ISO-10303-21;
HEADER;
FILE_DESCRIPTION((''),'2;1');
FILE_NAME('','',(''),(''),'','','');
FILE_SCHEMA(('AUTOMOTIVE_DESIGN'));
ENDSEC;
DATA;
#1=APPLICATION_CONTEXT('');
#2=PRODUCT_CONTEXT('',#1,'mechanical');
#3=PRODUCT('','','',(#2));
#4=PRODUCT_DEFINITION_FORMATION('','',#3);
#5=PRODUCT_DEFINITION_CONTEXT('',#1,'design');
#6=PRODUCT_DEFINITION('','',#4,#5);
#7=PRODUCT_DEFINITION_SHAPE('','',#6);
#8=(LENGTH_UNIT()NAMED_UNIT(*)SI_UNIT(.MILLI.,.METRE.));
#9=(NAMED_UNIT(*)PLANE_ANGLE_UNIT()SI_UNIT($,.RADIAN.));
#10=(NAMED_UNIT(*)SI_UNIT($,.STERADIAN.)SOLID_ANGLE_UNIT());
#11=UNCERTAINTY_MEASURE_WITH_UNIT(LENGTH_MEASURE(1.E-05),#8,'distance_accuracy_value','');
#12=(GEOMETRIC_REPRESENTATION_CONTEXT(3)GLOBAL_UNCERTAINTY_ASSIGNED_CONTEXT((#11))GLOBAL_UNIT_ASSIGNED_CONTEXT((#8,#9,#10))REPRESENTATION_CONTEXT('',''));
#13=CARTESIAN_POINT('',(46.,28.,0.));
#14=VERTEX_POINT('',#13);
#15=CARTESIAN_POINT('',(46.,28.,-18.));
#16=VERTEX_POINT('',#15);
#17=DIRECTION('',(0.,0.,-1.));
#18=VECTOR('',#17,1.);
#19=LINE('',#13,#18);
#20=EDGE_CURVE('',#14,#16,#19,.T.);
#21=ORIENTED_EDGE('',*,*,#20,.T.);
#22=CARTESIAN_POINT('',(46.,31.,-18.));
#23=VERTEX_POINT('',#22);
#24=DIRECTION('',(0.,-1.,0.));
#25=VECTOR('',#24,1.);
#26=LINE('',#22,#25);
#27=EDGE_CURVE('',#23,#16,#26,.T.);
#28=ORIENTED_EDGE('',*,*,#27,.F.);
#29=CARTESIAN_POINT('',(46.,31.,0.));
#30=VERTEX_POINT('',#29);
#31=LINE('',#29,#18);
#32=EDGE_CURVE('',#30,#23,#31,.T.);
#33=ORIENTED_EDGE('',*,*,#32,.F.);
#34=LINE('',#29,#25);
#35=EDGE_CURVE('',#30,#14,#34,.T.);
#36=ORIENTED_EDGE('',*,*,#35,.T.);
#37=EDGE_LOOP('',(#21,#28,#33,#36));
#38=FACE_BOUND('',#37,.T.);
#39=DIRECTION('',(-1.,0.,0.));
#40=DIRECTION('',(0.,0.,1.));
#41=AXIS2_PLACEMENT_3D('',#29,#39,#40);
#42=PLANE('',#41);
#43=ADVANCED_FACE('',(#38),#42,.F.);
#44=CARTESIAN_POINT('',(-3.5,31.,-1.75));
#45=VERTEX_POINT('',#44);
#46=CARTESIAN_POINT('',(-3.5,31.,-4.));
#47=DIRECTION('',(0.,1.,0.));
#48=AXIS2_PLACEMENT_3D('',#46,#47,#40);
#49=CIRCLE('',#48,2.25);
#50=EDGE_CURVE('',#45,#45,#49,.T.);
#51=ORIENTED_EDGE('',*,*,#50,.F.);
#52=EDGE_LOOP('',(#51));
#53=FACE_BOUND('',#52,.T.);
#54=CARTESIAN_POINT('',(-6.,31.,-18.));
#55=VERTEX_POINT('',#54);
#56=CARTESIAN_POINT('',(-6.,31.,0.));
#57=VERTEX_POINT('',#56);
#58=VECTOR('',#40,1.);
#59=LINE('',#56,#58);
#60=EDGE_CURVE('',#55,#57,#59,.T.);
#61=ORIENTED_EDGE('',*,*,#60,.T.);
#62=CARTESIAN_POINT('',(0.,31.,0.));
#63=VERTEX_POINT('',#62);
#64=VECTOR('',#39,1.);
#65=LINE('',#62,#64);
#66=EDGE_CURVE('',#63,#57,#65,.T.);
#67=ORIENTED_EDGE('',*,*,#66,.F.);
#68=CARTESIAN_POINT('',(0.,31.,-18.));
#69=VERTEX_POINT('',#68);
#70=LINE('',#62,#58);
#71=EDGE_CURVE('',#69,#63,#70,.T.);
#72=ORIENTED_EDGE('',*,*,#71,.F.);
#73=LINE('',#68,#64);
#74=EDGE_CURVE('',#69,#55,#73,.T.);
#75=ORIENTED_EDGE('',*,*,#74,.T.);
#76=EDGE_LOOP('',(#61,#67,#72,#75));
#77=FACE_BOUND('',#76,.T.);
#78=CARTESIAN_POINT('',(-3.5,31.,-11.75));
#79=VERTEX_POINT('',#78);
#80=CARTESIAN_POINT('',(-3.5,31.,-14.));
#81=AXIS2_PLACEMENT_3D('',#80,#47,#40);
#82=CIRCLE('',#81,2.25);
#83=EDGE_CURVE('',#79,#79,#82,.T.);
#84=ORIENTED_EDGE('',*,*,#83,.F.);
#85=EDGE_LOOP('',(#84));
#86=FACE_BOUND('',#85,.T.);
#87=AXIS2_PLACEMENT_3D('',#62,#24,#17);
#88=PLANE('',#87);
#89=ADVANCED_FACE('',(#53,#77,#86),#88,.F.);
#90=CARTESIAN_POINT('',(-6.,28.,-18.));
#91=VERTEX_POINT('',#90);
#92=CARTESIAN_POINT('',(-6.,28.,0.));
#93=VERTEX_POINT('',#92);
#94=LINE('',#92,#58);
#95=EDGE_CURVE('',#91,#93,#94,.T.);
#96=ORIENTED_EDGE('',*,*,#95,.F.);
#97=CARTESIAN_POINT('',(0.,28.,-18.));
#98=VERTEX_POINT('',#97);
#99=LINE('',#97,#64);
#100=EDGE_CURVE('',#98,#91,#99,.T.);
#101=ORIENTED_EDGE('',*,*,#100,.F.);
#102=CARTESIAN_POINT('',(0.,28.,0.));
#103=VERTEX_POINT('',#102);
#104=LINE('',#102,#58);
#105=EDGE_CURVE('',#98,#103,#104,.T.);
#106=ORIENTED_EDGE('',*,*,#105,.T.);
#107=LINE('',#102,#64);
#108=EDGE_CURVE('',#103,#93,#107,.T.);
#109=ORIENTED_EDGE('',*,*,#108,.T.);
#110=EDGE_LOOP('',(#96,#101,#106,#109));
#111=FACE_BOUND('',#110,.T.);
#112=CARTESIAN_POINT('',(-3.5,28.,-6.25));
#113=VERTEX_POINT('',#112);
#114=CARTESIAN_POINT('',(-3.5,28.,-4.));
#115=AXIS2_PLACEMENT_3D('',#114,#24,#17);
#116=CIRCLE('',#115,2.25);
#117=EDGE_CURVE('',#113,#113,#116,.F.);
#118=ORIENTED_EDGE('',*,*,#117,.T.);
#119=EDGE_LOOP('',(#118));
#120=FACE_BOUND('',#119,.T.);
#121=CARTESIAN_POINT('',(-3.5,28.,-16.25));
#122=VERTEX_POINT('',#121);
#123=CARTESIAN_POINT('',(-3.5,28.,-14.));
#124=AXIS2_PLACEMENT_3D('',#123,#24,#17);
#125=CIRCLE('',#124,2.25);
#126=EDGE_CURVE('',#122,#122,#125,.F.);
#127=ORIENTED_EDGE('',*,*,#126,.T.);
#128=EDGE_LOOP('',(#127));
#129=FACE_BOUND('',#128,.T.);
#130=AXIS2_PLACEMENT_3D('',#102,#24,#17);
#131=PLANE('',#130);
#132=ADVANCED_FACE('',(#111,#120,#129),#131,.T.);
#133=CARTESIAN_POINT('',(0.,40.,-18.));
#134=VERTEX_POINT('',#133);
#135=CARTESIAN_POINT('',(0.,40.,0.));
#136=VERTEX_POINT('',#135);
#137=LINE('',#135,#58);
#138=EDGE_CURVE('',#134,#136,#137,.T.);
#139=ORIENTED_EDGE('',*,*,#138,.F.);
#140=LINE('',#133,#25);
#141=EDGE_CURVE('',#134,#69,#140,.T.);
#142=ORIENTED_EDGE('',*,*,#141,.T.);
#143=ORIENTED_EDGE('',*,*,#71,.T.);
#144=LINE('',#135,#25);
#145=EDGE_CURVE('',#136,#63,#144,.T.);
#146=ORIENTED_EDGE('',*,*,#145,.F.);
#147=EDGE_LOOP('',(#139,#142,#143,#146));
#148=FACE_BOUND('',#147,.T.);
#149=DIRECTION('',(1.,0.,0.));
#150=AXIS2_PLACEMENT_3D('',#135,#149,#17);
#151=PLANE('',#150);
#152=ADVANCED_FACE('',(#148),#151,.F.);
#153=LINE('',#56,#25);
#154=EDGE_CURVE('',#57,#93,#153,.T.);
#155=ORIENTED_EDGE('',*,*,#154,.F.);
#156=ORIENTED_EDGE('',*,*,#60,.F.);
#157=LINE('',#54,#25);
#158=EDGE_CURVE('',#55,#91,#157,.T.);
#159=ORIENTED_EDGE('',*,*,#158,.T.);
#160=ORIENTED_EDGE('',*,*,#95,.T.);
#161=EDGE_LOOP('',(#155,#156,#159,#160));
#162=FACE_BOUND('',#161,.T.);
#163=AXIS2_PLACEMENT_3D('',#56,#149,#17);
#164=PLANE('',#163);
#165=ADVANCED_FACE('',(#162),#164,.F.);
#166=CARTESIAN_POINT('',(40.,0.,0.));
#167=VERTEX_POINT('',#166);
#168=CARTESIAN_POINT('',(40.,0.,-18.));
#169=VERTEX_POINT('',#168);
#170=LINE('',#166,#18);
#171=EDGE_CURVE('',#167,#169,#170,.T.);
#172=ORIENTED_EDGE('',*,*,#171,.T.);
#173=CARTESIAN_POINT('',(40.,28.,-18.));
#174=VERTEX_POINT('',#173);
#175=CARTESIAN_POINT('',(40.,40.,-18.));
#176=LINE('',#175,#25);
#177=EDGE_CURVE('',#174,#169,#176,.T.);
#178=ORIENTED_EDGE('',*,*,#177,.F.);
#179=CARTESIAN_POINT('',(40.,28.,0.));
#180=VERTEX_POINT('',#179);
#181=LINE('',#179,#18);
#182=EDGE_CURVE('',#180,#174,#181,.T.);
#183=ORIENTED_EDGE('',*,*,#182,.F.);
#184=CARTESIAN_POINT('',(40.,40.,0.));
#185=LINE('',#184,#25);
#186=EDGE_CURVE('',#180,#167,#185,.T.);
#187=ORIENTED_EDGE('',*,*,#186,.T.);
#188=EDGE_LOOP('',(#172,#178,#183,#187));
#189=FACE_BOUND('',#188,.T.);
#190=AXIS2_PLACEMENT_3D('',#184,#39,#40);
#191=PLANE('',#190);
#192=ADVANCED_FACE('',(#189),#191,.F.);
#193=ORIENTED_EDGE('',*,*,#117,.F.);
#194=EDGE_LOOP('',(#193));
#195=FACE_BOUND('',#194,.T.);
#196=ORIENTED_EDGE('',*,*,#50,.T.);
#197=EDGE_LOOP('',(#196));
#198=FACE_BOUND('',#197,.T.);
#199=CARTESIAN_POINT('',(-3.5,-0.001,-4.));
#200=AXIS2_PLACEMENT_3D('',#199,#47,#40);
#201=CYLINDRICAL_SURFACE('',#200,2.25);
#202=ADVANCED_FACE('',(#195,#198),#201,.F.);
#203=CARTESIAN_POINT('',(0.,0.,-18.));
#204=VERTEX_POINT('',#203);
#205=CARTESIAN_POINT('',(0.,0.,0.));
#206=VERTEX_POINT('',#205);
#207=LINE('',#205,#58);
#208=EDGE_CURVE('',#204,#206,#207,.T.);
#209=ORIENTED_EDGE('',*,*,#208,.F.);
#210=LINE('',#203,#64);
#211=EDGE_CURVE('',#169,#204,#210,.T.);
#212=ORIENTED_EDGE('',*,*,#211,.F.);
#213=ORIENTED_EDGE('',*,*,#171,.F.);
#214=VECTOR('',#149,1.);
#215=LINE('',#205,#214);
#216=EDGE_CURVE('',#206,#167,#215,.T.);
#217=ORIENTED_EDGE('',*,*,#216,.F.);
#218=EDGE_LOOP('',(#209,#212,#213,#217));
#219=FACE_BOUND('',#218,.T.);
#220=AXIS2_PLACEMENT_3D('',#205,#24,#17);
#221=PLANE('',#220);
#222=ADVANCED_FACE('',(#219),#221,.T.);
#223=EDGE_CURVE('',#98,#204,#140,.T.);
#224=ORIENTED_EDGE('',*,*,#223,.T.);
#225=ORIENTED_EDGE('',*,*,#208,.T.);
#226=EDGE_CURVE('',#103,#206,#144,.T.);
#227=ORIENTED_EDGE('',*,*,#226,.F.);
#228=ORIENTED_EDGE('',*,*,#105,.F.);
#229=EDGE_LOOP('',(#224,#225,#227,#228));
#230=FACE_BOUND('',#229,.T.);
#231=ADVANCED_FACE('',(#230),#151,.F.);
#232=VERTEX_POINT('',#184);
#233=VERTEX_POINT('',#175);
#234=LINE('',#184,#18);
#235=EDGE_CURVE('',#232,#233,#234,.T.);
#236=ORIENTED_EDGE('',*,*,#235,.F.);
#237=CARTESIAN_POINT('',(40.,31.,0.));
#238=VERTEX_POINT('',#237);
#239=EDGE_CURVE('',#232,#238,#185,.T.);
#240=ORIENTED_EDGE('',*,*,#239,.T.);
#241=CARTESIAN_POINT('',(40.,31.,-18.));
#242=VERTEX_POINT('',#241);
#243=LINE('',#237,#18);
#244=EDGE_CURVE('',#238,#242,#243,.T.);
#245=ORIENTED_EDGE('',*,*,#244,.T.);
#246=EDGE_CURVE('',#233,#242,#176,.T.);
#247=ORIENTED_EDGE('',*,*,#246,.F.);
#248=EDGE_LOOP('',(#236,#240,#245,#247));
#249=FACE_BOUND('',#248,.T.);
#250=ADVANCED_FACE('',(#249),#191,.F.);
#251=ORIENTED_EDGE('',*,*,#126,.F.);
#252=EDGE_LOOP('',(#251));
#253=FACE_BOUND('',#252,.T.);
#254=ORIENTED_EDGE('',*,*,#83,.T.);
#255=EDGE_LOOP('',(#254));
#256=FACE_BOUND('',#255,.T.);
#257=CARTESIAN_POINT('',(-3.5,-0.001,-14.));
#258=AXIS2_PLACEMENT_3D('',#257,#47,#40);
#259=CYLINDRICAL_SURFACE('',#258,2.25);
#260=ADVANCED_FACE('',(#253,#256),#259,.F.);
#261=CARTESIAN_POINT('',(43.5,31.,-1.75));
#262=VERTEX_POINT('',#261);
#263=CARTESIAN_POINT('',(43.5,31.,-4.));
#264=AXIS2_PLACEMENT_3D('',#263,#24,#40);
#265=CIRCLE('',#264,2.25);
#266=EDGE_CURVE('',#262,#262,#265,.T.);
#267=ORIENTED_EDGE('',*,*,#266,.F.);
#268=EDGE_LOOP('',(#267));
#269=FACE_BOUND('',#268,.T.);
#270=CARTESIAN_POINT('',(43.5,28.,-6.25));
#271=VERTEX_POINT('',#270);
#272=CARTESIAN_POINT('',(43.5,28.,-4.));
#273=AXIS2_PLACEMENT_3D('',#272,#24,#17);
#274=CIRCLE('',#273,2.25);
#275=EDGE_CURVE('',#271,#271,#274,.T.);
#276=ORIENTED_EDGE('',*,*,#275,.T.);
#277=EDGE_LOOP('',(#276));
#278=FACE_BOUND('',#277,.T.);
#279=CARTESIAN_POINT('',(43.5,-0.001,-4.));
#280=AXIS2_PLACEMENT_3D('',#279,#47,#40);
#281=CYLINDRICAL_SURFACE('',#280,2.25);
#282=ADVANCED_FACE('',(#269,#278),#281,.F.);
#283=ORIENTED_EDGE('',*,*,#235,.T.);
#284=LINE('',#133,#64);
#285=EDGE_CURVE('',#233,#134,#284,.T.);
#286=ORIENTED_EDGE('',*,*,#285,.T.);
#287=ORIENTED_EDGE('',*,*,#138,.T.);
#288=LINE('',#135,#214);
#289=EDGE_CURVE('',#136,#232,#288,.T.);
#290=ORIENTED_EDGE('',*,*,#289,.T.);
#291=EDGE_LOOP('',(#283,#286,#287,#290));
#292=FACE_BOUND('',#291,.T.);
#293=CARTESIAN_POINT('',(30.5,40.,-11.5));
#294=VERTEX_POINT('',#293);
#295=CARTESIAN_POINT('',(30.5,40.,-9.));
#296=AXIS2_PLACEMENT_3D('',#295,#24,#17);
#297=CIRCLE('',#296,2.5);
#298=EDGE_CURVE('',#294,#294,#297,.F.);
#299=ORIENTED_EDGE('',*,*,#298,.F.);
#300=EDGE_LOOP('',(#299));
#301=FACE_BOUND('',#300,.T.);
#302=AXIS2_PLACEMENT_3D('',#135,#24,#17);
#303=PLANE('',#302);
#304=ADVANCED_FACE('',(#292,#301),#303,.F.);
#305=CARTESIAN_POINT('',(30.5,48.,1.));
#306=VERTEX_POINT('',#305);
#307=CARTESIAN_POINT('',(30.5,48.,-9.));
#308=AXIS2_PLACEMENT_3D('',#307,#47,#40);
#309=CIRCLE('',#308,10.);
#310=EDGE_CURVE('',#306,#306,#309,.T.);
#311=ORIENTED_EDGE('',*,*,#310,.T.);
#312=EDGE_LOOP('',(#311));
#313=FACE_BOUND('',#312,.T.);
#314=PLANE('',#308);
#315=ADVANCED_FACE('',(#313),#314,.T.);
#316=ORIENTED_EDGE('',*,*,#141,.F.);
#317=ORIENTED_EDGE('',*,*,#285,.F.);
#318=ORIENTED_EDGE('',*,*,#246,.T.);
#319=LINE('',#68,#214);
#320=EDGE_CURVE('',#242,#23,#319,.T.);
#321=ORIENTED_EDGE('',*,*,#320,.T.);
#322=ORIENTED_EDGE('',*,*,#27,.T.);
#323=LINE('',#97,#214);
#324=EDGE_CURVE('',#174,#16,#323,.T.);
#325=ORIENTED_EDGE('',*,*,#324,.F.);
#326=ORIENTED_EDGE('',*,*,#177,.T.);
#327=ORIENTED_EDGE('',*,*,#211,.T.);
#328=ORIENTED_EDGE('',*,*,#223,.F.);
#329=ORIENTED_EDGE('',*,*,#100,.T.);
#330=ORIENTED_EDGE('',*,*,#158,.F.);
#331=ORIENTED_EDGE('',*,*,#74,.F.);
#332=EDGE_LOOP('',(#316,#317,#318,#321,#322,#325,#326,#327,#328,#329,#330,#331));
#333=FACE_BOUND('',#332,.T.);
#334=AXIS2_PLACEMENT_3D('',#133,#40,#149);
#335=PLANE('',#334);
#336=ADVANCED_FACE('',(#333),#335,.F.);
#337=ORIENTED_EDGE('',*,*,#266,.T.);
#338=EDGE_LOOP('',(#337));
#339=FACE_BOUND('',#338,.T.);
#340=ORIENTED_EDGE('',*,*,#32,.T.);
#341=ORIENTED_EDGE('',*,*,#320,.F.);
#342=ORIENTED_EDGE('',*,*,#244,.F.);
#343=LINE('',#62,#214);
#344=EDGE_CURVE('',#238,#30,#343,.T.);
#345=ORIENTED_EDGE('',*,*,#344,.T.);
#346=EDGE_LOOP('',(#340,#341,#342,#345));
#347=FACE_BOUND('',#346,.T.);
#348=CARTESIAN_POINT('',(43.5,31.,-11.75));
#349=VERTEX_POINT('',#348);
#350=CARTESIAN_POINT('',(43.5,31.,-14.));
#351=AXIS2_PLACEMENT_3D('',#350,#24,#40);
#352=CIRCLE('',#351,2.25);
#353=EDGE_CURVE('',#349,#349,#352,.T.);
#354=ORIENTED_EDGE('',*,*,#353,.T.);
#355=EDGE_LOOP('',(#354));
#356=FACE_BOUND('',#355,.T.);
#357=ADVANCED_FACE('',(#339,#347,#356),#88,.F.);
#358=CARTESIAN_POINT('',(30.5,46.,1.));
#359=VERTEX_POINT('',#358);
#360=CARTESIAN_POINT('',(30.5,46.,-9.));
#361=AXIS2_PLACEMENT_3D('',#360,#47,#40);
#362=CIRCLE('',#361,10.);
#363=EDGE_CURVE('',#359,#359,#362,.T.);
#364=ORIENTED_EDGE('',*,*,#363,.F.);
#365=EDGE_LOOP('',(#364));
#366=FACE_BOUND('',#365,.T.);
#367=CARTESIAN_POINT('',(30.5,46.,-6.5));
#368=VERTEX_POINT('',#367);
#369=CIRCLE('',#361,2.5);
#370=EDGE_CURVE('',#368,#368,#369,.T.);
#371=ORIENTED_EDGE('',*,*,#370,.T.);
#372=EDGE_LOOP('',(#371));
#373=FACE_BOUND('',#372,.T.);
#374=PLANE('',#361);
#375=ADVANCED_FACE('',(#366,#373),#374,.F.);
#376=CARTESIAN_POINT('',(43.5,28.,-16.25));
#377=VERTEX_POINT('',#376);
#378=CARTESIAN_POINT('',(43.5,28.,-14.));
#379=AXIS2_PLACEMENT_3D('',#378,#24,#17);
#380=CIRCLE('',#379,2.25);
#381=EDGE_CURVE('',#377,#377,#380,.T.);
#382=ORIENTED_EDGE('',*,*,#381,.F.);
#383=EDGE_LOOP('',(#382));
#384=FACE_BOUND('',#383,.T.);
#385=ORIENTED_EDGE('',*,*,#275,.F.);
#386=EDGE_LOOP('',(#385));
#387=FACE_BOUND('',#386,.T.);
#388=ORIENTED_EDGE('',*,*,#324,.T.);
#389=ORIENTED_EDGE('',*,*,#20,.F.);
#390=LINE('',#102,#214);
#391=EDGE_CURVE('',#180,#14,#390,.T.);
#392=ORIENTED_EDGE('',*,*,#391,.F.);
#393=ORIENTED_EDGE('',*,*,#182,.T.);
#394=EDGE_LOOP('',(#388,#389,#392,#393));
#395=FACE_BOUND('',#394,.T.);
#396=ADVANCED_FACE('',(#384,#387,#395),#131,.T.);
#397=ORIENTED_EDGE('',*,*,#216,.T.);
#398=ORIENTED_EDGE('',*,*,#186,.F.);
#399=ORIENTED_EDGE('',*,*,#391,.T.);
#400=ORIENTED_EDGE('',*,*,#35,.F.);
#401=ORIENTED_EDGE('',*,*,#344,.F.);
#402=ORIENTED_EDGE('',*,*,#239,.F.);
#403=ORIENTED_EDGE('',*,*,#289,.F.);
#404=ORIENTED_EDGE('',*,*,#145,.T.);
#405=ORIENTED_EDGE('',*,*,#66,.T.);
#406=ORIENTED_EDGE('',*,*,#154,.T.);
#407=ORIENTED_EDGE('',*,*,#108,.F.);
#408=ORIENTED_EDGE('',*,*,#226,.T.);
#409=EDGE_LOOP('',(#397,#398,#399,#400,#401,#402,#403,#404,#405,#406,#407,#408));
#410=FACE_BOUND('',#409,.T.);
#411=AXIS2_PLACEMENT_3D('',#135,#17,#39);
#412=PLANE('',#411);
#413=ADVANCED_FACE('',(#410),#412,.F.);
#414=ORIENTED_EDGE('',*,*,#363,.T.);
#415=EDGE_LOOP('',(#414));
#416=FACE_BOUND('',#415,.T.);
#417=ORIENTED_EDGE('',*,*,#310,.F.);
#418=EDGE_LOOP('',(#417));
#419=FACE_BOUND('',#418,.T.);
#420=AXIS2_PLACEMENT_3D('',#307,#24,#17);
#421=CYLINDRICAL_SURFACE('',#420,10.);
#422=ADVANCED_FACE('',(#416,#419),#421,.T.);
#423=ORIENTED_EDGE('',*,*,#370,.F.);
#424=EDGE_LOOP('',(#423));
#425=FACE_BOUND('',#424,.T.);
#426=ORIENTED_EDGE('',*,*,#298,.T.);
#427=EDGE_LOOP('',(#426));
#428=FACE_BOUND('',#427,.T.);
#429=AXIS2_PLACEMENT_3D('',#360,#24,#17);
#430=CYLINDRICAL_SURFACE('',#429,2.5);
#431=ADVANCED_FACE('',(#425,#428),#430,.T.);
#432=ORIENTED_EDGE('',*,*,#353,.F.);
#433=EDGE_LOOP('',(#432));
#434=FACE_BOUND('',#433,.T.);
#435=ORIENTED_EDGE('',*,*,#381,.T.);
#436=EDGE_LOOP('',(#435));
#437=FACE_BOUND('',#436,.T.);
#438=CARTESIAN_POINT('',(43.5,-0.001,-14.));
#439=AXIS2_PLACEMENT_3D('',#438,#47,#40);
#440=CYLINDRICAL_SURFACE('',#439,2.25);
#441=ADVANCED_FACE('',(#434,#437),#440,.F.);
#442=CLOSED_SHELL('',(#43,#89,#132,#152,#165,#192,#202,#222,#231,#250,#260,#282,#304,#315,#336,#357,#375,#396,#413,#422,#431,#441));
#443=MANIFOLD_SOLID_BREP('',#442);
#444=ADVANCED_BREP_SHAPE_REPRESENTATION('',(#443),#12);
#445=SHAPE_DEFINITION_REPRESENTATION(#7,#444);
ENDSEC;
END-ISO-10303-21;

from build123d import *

# Parameters (mm, degrees)
SKETCH1_W           = 40
SKETCH1_H           = 18
BOSS_EXTRUDE1_DEPTH = 40
SKETCH2_W           = 6
SKETCH2_H           = 18
BOSS_EXTRUDE2_DEPTH = 3
SKETCH3_R           = 2.5
BOSS_EXTRUDE3_DEPTH = 6
SKETCH4_R           = 10
BOSS_EXTRUDE4_DEPTH = 2
CUT_EXTRUDE1_REACH  = 60.634
SKETCH5_R           = 2.25


with BuildPart() as part:
    # Sketch1 → Boss-Extrude1 (new body)
    with BuildSketch(Plane(origin=(0, 0, 0), x_dir=(1, 0, 0), z_dir=(0, 1, 0))):
        with Locations((20, 9)):
            Rectangle(SKETCH1_W, SKETCH1_H)
    extrude(amount=BOSS_EXTRUDE1_DEPTH)

    # Sketch2 → Boss-Extrude2 (add)
    with BuildSketch(Plane(origin=(0, 28, 0), x_dir=(-1, 0, 0), z_dir=(0, -1, 0))):
        with Locations((3, 9)):
            Rectangle(SKETCH2_W, SKETCH2_H)
        with Locations((-43, 9)):
            Rectangle(SKETCH2_W, SKETCH2_H)
    extrude(amount=-BOSS_EXTRUDE2_DEPTH)

    # Sketch3 → Boss-Extrude3 (add)
    with BuildSketch(Plane(origin=(0, 40, 0), x_dir=(1, 0, 0), z_dir=(0, 1, 0))):
        with Locations(Location((30.5, 9, 0), (0, 0, 90))):
            Circle(SKETCH3_R)
    extrude(amount=BOSS_EXTRUDE3_DEPTH)

    # Sketch4 → Boss-Extrude4 (add)
    with BuildSketch(Plane(origin=(0, 46, 0), x_dir=(1, 0, 0), z_dir=(0, 1, 0))):
        with Locations(Location((30.5, 9, 0), (0, 0, 270))):
            Circle(SKETCH4_R)
    extrude(amount=BOSS_EXTRUDE4_DEPTH)

    # Sketch5 → Cut-Extrude1 (cut, up to next)
    with BuildSketch(Plane(origin=(0, 31, 0), x_dir=(1, 0, 0), z_dir=(0, 1, 0)), mode=Mode.PRIVATE) as cut_extrude1_sk1:
        with Locations(Location((-3.5, 14, 0), (0, 0, 270))):
            Circle(SKETCH5_R)
    cut_extrude1_tool1 = extrude(cut_extrude1_sk1.sketch, amount=-CUT_EXTRUDE1_REACH, mode=Mode.PRIVATE) & part.part
    # Sketch5 → Cut-Extrude1 (cut, up to next)
    with BuildSketch(Plane(origin=(0, 31, 0), x_dir=(1, 0, 0), z_dir=(0, 1, 0)), mode=Mode.PRIVATE) as cut_extrude1_sk2:
        with Locations(Location((-3.5, 4, 0), (0, 0, 270))):
            Circle(SKETCH5_R)
    cut_extrude1_tool2 = extrude(cut_extrude1_sk2.sketch, amount=-CUT_EXTRUDE1_REACH, mode=Mode.PRIVATE) & part.part
    cut_extrude1_1 = cut_extrude1_tool1.solids().sort_by_distance((-3.5, 31, -14))[0]
    add(cut_extrude1_1, mode=Mode.SUBTRACT)
    cut_extrude1_2 = cut_extrude1_tool2.solids().sort_by_distance((-3.5, 31, -4))[0]
    add(cut_extrude1_2, mode=Mode.SUBTRACT)
    cut_extrude1 = cut_extrude1_1 + cut_extrude1_2  # Cut-Extrude1 as one shape, for the pattern or mirror that repeats it

    # Mirror1: Cut-Extrude1 across plane
    add(cut_extrude1.mirror(Plane.ZY.offset(-20)), mode=Mode.SUBTRACT)


solid = part.part
